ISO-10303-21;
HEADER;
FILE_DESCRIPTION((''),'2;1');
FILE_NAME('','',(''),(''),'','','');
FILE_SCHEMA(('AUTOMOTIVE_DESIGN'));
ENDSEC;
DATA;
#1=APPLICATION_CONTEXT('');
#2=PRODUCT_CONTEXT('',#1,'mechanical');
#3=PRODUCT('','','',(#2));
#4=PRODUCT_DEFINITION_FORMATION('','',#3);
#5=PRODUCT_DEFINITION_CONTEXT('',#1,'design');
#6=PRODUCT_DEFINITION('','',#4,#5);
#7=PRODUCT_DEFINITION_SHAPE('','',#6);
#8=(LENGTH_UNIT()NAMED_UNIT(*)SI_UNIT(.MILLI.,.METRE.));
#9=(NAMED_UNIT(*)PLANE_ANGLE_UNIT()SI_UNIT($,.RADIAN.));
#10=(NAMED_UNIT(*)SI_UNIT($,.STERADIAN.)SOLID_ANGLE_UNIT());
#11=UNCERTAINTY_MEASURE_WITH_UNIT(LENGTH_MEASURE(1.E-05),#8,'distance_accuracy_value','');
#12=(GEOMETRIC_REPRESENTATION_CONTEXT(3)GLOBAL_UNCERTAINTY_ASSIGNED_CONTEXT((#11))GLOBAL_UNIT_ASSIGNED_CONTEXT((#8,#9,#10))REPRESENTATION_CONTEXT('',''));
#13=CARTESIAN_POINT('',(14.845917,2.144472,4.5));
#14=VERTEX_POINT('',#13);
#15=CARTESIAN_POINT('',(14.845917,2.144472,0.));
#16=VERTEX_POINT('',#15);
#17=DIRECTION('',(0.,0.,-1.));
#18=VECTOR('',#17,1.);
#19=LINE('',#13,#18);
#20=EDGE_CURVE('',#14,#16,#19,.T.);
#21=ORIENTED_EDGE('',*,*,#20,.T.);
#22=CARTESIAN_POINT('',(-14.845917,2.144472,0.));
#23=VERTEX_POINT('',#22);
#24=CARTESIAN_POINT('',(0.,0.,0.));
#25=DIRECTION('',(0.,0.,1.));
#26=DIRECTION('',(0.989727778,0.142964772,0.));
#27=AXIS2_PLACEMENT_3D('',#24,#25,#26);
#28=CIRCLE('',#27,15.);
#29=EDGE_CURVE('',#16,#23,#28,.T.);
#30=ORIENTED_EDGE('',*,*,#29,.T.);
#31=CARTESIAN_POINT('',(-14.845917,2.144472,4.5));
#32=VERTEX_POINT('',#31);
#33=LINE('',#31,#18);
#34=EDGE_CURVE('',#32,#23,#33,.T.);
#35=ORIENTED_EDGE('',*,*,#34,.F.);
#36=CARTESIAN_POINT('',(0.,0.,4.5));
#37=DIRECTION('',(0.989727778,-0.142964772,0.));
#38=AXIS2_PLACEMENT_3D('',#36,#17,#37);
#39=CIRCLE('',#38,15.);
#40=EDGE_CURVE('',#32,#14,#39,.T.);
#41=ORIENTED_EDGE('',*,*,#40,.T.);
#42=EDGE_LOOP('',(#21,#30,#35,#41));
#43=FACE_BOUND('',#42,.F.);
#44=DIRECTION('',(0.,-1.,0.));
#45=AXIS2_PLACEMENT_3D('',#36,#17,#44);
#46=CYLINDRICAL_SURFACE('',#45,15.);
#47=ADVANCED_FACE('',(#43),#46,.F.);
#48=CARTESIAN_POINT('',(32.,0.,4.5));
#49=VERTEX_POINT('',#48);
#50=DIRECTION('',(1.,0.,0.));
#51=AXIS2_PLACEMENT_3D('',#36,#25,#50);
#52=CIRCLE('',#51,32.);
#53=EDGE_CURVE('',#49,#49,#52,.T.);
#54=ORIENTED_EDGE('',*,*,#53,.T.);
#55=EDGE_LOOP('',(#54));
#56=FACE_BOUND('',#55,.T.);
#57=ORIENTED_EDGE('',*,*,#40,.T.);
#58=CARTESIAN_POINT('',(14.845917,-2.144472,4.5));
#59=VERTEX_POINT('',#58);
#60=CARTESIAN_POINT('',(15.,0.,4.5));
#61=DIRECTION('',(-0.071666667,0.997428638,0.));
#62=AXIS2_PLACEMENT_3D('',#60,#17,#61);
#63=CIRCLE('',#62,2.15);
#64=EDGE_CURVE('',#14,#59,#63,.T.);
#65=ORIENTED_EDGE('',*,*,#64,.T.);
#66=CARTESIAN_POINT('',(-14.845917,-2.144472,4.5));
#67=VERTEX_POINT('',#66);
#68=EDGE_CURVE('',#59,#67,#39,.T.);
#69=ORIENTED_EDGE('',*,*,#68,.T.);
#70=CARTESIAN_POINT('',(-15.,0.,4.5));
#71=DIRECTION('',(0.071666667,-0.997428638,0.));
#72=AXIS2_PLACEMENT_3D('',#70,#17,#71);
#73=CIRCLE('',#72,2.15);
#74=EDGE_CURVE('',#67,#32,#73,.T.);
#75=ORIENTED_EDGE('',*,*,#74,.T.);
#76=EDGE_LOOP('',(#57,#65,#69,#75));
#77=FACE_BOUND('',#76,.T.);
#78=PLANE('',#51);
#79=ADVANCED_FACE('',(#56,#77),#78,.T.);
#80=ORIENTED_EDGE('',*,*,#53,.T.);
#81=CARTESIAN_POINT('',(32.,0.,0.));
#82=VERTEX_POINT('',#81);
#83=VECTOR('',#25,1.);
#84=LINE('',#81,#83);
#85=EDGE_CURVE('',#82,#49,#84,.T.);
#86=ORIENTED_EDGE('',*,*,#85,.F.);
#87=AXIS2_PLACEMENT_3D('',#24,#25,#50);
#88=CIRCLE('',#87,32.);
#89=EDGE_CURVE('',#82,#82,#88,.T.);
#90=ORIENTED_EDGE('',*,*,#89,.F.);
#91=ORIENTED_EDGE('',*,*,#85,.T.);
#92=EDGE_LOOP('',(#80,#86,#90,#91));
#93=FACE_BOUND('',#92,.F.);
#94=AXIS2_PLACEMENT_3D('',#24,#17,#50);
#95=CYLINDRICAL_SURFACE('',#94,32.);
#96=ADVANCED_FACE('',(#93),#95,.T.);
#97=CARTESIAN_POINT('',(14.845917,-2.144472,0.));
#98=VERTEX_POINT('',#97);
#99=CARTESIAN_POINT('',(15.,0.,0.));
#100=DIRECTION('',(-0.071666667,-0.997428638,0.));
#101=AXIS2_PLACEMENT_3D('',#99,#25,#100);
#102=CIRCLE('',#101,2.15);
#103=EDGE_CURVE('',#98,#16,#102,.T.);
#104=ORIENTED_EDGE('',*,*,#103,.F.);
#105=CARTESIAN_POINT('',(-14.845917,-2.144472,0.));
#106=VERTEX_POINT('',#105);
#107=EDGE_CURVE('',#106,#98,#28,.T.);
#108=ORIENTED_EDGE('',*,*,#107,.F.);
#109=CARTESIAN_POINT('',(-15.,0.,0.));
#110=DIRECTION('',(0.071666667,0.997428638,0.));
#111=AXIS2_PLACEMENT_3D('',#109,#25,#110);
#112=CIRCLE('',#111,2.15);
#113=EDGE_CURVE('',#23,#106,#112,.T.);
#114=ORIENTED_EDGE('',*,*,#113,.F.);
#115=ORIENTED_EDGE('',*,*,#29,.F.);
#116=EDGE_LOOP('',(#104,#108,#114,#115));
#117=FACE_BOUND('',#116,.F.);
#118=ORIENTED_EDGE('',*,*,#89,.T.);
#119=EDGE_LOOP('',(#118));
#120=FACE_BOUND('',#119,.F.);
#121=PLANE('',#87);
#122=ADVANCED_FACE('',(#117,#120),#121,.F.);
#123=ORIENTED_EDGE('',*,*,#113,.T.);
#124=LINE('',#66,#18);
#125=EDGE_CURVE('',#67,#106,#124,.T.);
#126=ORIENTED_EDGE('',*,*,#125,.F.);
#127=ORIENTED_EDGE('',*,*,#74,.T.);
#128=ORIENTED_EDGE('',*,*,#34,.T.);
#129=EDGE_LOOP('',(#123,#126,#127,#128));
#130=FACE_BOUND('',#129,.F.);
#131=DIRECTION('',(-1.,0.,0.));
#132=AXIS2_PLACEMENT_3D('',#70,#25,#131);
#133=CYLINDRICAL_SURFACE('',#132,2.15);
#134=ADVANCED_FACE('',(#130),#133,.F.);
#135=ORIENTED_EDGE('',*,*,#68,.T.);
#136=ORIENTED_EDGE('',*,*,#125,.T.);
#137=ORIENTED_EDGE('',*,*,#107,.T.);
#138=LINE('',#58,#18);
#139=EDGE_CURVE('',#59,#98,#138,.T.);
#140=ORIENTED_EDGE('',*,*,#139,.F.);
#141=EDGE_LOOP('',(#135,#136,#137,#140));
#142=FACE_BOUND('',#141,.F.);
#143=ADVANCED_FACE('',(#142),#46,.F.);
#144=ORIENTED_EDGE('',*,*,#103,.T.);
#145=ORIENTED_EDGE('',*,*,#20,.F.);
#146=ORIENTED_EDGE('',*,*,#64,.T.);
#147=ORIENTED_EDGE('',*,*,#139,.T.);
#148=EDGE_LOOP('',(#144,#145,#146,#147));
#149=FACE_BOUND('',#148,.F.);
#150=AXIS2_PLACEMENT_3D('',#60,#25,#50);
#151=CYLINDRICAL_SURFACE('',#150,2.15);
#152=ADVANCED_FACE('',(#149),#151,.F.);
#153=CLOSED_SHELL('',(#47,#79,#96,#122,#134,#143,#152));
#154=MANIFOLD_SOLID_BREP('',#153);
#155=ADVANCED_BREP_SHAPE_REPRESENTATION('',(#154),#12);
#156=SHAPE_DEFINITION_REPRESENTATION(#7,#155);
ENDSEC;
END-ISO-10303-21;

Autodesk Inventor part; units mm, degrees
ref_plane "YZ Plane" through (0, 0, 0) normal (1, 0, 0) x (0, 1, 0)
ref_plane "XZ Plane" through (0, 0, 0) normal (0, 1, 0) x (-1, 0, 0)
ref_plane "XY Plane" through (0, 0, 0) normal (0, 0, 1) x (1, 0, 0)
sketch "草圖1" plane through (0, 0, 0) normal (0, 0, 1) x (1, 0, 0)
  circle A0 centre (0, 0) radius 32
  dimension "d0" = 64
extrude "擠出1" add sketch "草圖1" along normal blind 4.5
sketch "草圖2" plane through (0, 0, 4.5) normal (0, 0, 1) x (1, 0, 0)
  point P0 (0, 0)
  point P1 (0, 0)
hole "孔1" at (0, 0, 4.5) direction (0, 0, -1) diameter 30 end through all
sketch "草圖3" plane through (0, 0, 4.5) normal (0, 0, 1) x (1, 0, 0)
  circle A0 centre (15, 0) radius 2.15
  point P0 (0, 0)
  dimension "d10" = 0
  dimension "d11" = 4.3
  dimension "d12" = 15
extrude "擠出2" cut sketch "草圖3" against normal blind 20
pattern_circular "環形陣列1" count 2 over 360 about axis through (0, 0, -86.1215) along (0, 0, 1) of "擠出2"
properties part number "銅墊塊-50T"
